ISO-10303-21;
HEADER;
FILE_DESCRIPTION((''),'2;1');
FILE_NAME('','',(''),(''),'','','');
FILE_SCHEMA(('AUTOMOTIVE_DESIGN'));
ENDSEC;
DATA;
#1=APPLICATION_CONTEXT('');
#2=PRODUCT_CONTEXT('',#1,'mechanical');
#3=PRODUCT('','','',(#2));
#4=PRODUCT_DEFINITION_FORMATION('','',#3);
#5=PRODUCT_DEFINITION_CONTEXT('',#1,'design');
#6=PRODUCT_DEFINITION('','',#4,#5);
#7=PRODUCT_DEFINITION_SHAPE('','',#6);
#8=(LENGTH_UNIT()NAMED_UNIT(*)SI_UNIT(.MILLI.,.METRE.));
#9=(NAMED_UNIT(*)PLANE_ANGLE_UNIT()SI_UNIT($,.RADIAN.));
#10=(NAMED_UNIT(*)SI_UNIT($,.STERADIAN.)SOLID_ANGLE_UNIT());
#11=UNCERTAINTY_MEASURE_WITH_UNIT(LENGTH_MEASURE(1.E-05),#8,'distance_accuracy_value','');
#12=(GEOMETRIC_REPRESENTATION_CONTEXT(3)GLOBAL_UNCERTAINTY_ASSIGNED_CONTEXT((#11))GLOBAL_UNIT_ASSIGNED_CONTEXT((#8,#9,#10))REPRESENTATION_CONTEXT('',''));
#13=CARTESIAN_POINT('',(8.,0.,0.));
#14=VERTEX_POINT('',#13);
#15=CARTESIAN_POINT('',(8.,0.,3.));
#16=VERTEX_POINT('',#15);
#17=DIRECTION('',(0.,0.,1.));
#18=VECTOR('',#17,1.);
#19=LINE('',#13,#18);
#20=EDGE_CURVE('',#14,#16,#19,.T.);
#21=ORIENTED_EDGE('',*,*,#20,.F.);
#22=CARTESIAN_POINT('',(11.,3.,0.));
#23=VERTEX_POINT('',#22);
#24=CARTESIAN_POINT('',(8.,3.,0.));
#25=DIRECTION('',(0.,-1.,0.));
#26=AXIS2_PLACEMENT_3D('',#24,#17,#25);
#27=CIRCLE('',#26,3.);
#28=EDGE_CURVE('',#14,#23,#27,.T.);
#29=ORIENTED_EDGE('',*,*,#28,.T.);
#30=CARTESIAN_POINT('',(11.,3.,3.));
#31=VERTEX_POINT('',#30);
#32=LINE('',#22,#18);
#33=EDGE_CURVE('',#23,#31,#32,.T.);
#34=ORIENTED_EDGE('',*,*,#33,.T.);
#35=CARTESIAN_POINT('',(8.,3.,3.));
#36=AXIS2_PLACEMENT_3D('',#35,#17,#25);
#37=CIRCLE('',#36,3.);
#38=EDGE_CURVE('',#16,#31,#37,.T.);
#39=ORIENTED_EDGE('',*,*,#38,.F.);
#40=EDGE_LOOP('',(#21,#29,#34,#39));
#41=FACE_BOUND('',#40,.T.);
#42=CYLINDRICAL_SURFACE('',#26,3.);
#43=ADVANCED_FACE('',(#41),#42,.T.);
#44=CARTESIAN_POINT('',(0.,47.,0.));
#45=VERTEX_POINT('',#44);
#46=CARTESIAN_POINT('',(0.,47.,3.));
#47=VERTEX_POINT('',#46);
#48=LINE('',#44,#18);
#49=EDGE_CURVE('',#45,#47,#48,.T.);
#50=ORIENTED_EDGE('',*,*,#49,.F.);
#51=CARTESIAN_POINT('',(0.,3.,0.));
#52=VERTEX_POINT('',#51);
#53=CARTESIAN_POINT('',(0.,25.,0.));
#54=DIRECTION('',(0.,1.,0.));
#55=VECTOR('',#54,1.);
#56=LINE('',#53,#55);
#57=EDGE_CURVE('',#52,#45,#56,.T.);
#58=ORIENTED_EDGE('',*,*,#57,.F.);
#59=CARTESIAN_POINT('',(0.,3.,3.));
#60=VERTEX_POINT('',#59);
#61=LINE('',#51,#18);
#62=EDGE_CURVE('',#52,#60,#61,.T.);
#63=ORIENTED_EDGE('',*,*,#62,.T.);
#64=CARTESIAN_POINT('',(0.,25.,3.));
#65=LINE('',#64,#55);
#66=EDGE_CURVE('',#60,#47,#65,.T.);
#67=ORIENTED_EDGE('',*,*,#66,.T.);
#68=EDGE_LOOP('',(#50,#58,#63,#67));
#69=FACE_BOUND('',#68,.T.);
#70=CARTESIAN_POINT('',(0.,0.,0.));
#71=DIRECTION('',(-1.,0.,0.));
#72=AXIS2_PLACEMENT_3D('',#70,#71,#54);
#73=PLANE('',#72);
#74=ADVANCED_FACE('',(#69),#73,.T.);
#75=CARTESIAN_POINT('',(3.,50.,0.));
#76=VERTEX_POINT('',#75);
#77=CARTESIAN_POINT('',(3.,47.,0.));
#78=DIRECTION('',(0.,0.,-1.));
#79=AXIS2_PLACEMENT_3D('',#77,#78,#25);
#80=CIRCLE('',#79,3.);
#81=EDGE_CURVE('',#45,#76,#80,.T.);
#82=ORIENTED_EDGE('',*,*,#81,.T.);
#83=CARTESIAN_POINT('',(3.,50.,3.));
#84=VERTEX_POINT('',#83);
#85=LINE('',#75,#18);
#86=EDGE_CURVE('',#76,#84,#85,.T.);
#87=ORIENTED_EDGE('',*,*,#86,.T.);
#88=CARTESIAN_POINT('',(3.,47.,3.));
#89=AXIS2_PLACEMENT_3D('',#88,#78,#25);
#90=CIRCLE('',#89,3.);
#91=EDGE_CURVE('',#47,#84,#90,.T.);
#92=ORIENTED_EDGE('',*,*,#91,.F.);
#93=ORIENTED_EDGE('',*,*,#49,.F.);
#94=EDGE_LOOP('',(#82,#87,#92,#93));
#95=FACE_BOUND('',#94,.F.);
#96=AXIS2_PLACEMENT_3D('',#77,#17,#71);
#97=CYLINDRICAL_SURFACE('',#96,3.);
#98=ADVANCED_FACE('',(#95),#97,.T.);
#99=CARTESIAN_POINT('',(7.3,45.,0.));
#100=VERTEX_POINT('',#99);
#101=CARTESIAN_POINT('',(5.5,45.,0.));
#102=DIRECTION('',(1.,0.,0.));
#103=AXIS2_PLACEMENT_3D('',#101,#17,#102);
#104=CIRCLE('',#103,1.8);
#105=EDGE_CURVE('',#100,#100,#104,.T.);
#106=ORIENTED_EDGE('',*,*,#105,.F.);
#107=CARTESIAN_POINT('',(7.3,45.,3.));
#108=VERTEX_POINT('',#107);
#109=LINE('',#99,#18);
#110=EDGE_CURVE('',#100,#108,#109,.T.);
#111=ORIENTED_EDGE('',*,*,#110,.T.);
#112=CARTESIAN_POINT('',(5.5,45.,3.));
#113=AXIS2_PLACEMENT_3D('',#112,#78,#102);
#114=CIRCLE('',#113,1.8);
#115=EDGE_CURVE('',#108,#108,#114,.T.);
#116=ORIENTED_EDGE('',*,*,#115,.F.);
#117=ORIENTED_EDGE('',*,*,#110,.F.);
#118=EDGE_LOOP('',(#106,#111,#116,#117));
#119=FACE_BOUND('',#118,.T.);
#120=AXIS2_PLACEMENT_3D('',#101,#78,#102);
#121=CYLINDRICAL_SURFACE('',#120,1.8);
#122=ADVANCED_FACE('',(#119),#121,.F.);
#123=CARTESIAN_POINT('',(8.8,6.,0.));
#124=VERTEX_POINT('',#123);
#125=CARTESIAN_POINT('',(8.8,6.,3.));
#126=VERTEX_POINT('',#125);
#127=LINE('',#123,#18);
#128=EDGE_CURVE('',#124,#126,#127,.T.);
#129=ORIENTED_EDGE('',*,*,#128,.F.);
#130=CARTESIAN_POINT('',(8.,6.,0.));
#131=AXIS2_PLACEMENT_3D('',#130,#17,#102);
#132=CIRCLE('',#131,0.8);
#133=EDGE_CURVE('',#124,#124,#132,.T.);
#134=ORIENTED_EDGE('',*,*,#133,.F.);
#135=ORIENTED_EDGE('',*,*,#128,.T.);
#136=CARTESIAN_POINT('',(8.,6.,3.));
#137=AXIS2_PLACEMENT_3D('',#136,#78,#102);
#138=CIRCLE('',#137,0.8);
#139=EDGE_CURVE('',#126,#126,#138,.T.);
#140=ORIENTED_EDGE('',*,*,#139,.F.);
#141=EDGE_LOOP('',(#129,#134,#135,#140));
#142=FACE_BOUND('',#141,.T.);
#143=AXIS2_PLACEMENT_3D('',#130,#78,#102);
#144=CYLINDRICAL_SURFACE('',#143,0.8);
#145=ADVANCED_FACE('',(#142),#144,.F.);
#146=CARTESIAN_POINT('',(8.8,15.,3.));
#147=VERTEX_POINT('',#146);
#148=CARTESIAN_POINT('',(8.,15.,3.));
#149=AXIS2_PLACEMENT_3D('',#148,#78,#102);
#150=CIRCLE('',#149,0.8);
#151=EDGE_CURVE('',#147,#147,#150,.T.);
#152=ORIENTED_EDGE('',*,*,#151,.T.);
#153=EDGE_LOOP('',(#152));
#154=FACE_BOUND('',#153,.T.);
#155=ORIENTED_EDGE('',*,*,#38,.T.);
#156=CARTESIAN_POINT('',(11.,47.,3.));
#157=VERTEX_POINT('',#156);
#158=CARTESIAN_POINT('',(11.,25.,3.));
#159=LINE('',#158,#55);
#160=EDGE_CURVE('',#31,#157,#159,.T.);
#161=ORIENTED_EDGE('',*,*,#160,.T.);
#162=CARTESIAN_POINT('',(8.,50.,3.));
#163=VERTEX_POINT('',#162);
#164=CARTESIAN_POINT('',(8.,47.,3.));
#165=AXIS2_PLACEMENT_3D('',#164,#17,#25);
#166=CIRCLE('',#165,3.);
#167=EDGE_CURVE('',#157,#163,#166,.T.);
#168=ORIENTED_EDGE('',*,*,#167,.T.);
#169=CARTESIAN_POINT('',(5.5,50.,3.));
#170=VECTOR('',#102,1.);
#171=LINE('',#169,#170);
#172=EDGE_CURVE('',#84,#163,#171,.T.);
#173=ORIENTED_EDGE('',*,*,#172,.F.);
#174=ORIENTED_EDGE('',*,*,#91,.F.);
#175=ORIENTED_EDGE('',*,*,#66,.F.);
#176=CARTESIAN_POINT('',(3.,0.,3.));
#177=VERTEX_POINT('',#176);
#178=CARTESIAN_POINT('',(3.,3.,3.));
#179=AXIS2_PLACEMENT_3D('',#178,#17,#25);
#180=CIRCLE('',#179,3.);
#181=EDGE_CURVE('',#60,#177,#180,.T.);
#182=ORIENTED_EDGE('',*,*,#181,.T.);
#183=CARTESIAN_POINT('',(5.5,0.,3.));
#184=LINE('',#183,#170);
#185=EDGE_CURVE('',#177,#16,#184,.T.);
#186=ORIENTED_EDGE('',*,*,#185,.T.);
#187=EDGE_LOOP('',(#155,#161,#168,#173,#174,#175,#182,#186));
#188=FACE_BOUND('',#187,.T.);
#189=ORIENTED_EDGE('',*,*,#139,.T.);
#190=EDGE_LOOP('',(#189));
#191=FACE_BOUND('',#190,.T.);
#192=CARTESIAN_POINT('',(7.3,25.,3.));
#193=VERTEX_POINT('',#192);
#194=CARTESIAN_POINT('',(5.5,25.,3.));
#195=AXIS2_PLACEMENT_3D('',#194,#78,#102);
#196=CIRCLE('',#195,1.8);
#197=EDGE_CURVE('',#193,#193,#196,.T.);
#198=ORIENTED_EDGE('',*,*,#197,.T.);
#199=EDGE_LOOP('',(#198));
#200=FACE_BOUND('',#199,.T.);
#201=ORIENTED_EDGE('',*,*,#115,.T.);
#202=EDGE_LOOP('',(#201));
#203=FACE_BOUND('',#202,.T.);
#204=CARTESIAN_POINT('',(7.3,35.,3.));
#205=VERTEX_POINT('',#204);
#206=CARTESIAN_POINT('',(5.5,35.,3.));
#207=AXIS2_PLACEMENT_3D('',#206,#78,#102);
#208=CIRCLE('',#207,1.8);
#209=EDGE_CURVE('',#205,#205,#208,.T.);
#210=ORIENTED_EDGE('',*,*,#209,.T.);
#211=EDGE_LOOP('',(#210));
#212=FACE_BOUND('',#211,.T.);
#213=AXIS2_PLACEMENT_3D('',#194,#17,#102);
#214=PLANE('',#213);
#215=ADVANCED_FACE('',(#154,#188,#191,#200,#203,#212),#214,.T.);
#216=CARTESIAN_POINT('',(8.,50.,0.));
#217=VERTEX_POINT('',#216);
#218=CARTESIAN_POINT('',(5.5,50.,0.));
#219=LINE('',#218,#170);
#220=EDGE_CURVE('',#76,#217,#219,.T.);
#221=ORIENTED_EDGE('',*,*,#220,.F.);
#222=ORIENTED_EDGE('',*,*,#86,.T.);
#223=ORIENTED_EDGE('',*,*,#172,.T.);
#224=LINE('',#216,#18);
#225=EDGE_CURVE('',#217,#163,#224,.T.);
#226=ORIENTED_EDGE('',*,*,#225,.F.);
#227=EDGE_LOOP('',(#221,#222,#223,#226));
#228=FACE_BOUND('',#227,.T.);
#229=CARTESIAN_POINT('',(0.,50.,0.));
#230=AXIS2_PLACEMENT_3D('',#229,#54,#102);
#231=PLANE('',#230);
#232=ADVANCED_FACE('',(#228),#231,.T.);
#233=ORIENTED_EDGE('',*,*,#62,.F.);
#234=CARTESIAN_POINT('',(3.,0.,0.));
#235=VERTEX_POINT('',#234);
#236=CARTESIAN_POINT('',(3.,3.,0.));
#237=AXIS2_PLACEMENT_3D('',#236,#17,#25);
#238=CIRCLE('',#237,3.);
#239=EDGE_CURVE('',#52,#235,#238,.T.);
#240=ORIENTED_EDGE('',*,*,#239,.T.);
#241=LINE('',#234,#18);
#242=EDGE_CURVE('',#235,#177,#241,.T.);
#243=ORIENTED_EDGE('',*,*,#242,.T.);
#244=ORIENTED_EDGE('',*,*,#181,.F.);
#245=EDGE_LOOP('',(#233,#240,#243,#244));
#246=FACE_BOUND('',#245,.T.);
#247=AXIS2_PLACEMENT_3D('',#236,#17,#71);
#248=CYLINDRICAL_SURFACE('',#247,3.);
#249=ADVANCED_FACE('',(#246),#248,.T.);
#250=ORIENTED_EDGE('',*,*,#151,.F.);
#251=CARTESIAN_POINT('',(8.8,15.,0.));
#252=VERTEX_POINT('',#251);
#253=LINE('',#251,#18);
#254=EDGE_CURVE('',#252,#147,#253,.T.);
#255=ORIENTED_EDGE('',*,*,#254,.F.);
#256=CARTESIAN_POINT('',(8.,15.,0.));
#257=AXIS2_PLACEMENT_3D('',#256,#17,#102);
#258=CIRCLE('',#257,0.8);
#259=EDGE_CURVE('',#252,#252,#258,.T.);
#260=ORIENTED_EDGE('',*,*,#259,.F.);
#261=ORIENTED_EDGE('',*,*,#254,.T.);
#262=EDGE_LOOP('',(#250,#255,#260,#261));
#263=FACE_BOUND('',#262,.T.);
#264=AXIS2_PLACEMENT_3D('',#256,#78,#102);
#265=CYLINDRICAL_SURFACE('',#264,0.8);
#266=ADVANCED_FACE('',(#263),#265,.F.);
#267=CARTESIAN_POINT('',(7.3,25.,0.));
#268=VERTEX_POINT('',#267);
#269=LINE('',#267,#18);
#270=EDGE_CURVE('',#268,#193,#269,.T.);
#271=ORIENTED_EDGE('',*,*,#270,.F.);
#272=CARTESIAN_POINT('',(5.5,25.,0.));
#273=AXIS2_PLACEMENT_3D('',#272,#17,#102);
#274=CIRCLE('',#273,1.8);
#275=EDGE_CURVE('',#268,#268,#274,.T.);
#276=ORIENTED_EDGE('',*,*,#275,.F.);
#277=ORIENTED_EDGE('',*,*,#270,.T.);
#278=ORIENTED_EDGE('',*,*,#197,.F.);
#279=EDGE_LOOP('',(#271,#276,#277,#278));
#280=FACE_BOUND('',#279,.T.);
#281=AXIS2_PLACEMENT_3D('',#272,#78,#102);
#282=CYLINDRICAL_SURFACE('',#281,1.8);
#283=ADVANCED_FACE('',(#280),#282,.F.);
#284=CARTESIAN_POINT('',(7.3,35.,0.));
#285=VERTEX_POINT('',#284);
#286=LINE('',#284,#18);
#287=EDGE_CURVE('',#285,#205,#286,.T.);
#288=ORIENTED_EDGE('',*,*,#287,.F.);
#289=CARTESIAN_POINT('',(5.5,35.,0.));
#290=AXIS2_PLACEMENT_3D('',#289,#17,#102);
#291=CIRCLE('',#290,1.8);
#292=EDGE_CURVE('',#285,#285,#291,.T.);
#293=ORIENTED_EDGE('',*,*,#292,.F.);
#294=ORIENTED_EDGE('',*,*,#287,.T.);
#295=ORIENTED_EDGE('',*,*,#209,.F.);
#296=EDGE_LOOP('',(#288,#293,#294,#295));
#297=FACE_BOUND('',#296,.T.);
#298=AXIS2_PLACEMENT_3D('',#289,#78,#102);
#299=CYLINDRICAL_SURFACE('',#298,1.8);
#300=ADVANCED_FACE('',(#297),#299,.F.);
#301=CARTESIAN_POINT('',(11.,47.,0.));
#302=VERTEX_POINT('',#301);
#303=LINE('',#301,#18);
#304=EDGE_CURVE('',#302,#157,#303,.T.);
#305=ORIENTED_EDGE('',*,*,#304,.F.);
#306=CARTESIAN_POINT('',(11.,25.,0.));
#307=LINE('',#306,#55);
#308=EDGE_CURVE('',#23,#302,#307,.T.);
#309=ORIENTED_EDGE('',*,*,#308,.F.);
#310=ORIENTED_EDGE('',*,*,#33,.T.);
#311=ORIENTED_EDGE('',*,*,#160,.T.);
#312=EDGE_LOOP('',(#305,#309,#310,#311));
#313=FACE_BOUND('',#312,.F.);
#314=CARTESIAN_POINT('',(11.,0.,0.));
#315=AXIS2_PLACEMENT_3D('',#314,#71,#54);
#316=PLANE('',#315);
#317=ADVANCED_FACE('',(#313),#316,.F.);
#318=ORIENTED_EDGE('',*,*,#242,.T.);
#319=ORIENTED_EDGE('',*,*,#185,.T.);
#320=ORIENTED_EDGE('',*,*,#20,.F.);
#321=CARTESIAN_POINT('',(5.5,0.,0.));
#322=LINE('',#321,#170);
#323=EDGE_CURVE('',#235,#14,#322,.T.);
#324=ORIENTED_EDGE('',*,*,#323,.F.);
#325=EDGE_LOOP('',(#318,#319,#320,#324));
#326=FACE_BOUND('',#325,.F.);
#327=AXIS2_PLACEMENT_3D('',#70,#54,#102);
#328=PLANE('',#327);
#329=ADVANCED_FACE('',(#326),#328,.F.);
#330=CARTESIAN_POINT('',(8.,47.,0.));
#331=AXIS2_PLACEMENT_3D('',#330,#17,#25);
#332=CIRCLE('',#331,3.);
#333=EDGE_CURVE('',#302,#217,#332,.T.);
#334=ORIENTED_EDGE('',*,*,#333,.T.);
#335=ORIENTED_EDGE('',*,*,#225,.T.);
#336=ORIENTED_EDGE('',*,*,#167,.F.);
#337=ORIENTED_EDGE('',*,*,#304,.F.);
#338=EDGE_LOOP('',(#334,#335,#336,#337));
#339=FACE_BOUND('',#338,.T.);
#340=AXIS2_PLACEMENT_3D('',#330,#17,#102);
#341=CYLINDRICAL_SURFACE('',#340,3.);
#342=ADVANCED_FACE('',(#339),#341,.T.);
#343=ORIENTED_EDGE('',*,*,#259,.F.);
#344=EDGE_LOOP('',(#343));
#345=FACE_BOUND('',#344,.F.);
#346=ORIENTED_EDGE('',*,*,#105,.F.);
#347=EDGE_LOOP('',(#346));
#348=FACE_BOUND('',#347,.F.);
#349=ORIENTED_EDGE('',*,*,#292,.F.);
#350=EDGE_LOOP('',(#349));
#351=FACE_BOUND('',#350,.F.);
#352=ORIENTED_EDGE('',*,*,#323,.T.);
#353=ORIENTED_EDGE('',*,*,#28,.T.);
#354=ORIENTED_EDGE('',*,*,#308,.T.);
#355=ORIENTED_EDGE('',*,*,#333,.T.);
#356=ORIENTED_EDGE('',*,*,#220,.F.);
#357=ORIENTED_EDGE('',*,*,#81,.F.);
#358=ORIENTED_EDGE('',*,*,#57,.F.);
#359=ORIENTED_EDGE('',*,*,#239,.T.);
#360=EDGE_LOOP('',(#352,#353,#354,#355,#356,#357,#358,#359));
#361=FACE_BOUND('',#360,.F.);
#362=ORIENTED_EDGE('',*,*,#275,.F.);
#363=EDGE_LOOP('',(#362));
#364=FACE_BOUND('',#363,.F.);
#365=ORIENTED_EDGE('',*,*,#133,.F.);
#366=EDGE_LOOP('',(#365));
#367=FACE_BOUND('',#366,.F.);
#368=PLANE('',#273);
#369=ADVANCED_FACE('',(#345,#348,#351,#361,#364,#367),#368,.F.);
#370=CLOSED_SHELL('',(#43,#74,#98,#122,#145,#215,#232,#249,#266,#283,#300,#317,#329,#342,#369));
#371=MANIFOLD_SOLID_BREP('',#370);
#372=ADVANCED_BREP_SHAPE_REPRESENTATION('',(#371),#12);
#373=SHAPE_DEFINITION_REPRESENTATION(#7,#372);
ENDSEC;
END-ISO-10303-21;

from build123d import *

# Parameters (mm, degrees)
CYLINDER115_R       = 1.8
CYLINDER115_DEPTH   = 10
ARRAY001018_Y_COUNT = 3
ARRAY001018_Y_PITCH = 10
CYLINDER034_R       = 0.8
CYLINDER034_DEPTH   = 30
ARRAY001017_Y_COUNT = 2
ARRAY001017_Y_PITCH = 9
BOX013_W            = 11
BOX013_H            = 50
BOX013_DEPTH        = 3
FILLET006_R         = 3


with BuildPart() as bolt_hole_array:
    # Cylinder115 → Cylinder115 (new body)
    with BuildSketch(Plane.XY):
        Circle(CYLINDER115_R)
    extrude(amount=CYLINDER115_DEPTH)

    # Array001018 Y: bolt hole array ×3


with BuildPart() as bolt_hole_array_1:
    add(bolt_hole_array.part)
    with Locations(*[(0, i * ARRAY001018_Y_PITCH, 0) for i in range(1, ARRAY001018_Y_COUNT)]):
        add(bolt_hole_array.part)


with BuildPart() as bolt_hole_array_2:
    # Array001018 placement: moved
    add(bolt_hole_array_1.part.moved(Location((5.5, 25, 0))))


with BuildPart() as endstop_hole_fusion:
    # Cylinder034 → Cylinder034 (new body)
    with BuildSketch(Plane.XY):
        Circle(CYLINDER034_R)
    extrude(amount=CYLINDER034_DEPTH)

    # Array001017 Y: endstop hole fusion ×2


with BuildPart() as endstop_hole_fusion_1:
    add(endstop_hole_fusion.part)
    with Locations(*[(0, i * ARRAY001017_Y_PITCH, 0) for i in range(1, ARRAY001017_Y_COUNT)]):
        add(endstop_hole_fusion.part)


with BuildPart() as endstop_hole_fusion_2:
    # Array001017 placement: moved
    add(endstop_hole_fusion_1.part.moved(Location((8, 6, 0))))

    # Fusion015: union bolt hole array
    add(bolt_hole_array_2.part)


with BuildPart() as endstop_base_cut:
    # Box013 → Box013 (new body)
    with BuildSketch(Plane.XY):
        with Locations((5.5, 25)):
            Rectangle(BOX013_W, BOX013_H)
    extrude(amount=BOX013_DEPTH)

    # Fillet006
    fillet006_edges = [endstop_base_cut.edges().sort_by_distance(p)[0] for p in [
        (0, 0, 1.5),
        (0, 50, 1.5),
        (11, 0, 1.5),
        (11, 50, 1.5),
    ]]
    fillet(fillet006_edges, radius=FILLET006_R)

    # Cut010: cut endstop hole fusion
    add(endstop_hole_fusion_2.part, mode=Mode.SUBTRACT)


solid = endstop_base_cut.part
